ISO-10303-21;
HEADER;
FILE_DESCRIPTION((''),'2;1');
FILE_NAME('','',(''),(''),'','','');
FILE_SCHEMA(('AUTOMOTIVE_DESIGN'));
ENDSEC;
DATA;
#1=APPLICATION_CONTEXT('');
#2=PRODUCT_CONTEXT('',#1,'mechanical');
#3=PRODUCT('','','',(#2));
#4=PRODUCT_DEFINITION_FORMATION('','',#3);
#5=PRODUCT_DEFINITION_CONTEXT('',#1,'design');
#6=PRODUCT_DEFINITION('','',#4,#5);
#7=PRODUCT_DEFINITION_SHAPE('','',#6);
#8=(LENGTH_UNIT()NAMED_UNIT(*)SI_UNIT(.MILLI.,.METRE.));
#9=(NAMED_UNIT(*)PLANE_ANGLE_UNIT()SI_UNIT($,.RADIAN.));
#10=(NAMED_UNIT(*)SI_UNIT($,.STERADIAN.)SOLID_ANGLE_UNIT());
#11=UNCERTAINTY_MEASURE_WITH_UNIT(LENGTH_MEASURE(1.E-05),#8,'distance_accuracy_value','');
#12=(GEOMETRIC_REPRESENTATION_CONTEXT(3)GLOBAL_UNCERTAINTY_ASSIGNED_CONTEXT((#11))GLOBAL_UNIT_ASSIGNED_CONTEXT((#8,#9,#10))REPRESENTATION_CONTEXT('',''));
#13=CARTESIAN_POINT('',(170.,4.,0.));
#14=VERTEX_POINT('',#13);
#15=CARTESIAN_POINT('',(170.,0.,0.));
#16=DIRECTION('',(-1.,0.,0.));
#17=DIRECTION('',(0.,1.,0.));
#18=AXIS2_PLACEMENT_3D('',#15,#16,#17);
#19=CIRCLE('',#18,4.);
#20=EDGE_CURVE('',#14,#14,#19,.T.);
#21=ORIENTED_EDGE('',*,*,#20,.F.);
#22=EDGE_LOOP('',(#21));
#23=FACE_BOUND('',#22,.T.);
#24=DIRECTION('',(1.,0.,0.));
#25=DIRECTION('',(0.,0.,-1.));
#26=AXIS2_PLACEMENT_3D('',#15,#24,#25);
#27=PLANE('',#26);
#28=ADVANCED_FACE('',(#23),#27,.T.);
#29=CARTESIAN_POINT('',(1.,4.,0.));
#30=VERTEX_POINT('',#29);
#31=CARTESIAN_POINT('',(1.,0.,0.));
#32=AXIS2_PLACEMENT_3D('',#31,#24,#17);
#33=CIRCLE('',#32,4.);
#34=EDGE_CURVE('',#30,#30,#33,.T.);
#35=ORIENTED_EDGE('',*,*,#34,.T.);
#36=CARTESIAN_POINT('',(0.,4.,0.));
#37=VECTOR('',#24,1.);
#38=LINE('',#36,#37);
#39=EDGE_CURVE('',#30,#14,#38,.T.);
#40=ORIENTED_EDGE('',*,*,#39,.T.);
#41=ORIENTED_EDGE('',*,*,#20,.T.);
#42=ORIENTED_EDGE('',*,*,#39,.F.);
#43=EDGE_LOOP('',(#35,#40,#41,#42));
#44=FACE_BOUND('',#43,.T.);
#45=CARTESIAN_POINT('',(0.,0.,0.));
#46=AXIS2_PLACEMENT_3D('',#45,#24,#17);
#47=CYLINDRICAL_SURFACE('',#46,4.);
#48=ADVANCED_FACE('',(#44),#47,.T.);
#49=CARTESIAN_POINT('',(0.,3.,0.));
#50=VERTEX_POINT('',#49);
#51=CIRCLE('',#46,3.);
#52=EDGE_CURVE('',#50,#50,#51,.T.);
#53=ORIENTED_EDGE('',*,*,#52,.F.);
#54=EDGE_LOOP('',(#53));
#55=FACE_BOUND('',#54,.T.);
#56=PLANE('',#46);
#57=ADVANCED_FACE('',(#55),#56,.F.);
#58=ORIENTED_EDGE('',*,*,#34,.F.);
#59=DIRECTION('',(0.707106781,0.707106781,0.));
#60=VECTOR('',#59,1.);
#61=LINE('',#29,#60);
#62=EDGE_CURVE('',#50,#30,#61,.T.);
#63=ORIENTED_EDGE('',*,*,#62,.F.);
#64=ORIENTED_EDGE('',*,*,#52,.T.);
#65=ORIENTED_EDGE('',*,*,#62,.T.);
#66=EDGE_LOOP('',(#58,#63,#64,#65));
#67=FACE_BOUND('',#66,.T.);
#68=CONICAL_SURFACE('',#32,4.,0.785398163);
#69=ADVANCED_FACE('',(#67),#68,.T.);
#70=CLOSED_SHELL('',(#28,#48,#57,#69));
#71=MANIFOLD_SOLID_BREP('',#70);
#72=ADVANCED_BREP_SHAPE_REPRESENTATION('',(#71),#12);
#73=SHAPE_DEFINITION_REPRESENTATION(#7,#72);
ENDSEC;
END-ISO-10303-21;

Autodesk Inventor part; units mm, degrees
ref_plane "Płaszczyzna początkowa" through (0, 0, 0) normal (1, 0, 0) x (0, 1, 0)
ref_plane "XZ Plane" through (0, 0, 0) normal (0, 1, 0) x (-1, 0, 0)
ref_plane "XY Plane" through (0, 0, 0) normal (0, 0, 1) x (1, 0, 0)
sketch "Szkic główny" plane through (0, 0, 0) normal (0, 0, 1) x (1, 0, 0)
  line L0 (0, 0) -> (337, 0)
  line L1 (0, 0) -> (0, 4)
  line L2 (337, 4) -> (337, 0)
  line L3 (0, 4) -> (337, 4)
  dimension "d3" = 8
revolve "Obrót1" add sketch "Szkic główny" angle 360 about axis through (0, 0, 0) along (1, 0, 0)
thread "Gwint1" size "M8x1.25" class "6g" standard "ANSI Metric M Profile" full length
chamfer "Faza1" distance 1 angle 45 2 edges at (0, -4, 0) (337, -4, 0)
sketch "Sketch3" plane through (337, 0, 0) normal (1, 0, 0) x (0, 0, -1)
  circle A0 centre (0, 0) radius 4 projected
  circle A1 centre (0, 0) radius 3 projected
  circle A2 centre (0, 0) radius 3 projected
extrude "Extrusion1" add sketch "Sketch3" along normal blind 13 and the other way blind 1 contours A0 | A1
sketch "Boceto4" plane through (350, 0, 0) normal (1, 0, 0) x (0, 0, -1)
  circle A0 centre (0, 0) radius 3 projected
  circle A1 centre (0, 0) radius 14.4832
extrude "Extrusión2" cut sketch "Boceto4" against normal blind 180 contours A0 | A1
properties part number "ACMEThread" material "Steel"
